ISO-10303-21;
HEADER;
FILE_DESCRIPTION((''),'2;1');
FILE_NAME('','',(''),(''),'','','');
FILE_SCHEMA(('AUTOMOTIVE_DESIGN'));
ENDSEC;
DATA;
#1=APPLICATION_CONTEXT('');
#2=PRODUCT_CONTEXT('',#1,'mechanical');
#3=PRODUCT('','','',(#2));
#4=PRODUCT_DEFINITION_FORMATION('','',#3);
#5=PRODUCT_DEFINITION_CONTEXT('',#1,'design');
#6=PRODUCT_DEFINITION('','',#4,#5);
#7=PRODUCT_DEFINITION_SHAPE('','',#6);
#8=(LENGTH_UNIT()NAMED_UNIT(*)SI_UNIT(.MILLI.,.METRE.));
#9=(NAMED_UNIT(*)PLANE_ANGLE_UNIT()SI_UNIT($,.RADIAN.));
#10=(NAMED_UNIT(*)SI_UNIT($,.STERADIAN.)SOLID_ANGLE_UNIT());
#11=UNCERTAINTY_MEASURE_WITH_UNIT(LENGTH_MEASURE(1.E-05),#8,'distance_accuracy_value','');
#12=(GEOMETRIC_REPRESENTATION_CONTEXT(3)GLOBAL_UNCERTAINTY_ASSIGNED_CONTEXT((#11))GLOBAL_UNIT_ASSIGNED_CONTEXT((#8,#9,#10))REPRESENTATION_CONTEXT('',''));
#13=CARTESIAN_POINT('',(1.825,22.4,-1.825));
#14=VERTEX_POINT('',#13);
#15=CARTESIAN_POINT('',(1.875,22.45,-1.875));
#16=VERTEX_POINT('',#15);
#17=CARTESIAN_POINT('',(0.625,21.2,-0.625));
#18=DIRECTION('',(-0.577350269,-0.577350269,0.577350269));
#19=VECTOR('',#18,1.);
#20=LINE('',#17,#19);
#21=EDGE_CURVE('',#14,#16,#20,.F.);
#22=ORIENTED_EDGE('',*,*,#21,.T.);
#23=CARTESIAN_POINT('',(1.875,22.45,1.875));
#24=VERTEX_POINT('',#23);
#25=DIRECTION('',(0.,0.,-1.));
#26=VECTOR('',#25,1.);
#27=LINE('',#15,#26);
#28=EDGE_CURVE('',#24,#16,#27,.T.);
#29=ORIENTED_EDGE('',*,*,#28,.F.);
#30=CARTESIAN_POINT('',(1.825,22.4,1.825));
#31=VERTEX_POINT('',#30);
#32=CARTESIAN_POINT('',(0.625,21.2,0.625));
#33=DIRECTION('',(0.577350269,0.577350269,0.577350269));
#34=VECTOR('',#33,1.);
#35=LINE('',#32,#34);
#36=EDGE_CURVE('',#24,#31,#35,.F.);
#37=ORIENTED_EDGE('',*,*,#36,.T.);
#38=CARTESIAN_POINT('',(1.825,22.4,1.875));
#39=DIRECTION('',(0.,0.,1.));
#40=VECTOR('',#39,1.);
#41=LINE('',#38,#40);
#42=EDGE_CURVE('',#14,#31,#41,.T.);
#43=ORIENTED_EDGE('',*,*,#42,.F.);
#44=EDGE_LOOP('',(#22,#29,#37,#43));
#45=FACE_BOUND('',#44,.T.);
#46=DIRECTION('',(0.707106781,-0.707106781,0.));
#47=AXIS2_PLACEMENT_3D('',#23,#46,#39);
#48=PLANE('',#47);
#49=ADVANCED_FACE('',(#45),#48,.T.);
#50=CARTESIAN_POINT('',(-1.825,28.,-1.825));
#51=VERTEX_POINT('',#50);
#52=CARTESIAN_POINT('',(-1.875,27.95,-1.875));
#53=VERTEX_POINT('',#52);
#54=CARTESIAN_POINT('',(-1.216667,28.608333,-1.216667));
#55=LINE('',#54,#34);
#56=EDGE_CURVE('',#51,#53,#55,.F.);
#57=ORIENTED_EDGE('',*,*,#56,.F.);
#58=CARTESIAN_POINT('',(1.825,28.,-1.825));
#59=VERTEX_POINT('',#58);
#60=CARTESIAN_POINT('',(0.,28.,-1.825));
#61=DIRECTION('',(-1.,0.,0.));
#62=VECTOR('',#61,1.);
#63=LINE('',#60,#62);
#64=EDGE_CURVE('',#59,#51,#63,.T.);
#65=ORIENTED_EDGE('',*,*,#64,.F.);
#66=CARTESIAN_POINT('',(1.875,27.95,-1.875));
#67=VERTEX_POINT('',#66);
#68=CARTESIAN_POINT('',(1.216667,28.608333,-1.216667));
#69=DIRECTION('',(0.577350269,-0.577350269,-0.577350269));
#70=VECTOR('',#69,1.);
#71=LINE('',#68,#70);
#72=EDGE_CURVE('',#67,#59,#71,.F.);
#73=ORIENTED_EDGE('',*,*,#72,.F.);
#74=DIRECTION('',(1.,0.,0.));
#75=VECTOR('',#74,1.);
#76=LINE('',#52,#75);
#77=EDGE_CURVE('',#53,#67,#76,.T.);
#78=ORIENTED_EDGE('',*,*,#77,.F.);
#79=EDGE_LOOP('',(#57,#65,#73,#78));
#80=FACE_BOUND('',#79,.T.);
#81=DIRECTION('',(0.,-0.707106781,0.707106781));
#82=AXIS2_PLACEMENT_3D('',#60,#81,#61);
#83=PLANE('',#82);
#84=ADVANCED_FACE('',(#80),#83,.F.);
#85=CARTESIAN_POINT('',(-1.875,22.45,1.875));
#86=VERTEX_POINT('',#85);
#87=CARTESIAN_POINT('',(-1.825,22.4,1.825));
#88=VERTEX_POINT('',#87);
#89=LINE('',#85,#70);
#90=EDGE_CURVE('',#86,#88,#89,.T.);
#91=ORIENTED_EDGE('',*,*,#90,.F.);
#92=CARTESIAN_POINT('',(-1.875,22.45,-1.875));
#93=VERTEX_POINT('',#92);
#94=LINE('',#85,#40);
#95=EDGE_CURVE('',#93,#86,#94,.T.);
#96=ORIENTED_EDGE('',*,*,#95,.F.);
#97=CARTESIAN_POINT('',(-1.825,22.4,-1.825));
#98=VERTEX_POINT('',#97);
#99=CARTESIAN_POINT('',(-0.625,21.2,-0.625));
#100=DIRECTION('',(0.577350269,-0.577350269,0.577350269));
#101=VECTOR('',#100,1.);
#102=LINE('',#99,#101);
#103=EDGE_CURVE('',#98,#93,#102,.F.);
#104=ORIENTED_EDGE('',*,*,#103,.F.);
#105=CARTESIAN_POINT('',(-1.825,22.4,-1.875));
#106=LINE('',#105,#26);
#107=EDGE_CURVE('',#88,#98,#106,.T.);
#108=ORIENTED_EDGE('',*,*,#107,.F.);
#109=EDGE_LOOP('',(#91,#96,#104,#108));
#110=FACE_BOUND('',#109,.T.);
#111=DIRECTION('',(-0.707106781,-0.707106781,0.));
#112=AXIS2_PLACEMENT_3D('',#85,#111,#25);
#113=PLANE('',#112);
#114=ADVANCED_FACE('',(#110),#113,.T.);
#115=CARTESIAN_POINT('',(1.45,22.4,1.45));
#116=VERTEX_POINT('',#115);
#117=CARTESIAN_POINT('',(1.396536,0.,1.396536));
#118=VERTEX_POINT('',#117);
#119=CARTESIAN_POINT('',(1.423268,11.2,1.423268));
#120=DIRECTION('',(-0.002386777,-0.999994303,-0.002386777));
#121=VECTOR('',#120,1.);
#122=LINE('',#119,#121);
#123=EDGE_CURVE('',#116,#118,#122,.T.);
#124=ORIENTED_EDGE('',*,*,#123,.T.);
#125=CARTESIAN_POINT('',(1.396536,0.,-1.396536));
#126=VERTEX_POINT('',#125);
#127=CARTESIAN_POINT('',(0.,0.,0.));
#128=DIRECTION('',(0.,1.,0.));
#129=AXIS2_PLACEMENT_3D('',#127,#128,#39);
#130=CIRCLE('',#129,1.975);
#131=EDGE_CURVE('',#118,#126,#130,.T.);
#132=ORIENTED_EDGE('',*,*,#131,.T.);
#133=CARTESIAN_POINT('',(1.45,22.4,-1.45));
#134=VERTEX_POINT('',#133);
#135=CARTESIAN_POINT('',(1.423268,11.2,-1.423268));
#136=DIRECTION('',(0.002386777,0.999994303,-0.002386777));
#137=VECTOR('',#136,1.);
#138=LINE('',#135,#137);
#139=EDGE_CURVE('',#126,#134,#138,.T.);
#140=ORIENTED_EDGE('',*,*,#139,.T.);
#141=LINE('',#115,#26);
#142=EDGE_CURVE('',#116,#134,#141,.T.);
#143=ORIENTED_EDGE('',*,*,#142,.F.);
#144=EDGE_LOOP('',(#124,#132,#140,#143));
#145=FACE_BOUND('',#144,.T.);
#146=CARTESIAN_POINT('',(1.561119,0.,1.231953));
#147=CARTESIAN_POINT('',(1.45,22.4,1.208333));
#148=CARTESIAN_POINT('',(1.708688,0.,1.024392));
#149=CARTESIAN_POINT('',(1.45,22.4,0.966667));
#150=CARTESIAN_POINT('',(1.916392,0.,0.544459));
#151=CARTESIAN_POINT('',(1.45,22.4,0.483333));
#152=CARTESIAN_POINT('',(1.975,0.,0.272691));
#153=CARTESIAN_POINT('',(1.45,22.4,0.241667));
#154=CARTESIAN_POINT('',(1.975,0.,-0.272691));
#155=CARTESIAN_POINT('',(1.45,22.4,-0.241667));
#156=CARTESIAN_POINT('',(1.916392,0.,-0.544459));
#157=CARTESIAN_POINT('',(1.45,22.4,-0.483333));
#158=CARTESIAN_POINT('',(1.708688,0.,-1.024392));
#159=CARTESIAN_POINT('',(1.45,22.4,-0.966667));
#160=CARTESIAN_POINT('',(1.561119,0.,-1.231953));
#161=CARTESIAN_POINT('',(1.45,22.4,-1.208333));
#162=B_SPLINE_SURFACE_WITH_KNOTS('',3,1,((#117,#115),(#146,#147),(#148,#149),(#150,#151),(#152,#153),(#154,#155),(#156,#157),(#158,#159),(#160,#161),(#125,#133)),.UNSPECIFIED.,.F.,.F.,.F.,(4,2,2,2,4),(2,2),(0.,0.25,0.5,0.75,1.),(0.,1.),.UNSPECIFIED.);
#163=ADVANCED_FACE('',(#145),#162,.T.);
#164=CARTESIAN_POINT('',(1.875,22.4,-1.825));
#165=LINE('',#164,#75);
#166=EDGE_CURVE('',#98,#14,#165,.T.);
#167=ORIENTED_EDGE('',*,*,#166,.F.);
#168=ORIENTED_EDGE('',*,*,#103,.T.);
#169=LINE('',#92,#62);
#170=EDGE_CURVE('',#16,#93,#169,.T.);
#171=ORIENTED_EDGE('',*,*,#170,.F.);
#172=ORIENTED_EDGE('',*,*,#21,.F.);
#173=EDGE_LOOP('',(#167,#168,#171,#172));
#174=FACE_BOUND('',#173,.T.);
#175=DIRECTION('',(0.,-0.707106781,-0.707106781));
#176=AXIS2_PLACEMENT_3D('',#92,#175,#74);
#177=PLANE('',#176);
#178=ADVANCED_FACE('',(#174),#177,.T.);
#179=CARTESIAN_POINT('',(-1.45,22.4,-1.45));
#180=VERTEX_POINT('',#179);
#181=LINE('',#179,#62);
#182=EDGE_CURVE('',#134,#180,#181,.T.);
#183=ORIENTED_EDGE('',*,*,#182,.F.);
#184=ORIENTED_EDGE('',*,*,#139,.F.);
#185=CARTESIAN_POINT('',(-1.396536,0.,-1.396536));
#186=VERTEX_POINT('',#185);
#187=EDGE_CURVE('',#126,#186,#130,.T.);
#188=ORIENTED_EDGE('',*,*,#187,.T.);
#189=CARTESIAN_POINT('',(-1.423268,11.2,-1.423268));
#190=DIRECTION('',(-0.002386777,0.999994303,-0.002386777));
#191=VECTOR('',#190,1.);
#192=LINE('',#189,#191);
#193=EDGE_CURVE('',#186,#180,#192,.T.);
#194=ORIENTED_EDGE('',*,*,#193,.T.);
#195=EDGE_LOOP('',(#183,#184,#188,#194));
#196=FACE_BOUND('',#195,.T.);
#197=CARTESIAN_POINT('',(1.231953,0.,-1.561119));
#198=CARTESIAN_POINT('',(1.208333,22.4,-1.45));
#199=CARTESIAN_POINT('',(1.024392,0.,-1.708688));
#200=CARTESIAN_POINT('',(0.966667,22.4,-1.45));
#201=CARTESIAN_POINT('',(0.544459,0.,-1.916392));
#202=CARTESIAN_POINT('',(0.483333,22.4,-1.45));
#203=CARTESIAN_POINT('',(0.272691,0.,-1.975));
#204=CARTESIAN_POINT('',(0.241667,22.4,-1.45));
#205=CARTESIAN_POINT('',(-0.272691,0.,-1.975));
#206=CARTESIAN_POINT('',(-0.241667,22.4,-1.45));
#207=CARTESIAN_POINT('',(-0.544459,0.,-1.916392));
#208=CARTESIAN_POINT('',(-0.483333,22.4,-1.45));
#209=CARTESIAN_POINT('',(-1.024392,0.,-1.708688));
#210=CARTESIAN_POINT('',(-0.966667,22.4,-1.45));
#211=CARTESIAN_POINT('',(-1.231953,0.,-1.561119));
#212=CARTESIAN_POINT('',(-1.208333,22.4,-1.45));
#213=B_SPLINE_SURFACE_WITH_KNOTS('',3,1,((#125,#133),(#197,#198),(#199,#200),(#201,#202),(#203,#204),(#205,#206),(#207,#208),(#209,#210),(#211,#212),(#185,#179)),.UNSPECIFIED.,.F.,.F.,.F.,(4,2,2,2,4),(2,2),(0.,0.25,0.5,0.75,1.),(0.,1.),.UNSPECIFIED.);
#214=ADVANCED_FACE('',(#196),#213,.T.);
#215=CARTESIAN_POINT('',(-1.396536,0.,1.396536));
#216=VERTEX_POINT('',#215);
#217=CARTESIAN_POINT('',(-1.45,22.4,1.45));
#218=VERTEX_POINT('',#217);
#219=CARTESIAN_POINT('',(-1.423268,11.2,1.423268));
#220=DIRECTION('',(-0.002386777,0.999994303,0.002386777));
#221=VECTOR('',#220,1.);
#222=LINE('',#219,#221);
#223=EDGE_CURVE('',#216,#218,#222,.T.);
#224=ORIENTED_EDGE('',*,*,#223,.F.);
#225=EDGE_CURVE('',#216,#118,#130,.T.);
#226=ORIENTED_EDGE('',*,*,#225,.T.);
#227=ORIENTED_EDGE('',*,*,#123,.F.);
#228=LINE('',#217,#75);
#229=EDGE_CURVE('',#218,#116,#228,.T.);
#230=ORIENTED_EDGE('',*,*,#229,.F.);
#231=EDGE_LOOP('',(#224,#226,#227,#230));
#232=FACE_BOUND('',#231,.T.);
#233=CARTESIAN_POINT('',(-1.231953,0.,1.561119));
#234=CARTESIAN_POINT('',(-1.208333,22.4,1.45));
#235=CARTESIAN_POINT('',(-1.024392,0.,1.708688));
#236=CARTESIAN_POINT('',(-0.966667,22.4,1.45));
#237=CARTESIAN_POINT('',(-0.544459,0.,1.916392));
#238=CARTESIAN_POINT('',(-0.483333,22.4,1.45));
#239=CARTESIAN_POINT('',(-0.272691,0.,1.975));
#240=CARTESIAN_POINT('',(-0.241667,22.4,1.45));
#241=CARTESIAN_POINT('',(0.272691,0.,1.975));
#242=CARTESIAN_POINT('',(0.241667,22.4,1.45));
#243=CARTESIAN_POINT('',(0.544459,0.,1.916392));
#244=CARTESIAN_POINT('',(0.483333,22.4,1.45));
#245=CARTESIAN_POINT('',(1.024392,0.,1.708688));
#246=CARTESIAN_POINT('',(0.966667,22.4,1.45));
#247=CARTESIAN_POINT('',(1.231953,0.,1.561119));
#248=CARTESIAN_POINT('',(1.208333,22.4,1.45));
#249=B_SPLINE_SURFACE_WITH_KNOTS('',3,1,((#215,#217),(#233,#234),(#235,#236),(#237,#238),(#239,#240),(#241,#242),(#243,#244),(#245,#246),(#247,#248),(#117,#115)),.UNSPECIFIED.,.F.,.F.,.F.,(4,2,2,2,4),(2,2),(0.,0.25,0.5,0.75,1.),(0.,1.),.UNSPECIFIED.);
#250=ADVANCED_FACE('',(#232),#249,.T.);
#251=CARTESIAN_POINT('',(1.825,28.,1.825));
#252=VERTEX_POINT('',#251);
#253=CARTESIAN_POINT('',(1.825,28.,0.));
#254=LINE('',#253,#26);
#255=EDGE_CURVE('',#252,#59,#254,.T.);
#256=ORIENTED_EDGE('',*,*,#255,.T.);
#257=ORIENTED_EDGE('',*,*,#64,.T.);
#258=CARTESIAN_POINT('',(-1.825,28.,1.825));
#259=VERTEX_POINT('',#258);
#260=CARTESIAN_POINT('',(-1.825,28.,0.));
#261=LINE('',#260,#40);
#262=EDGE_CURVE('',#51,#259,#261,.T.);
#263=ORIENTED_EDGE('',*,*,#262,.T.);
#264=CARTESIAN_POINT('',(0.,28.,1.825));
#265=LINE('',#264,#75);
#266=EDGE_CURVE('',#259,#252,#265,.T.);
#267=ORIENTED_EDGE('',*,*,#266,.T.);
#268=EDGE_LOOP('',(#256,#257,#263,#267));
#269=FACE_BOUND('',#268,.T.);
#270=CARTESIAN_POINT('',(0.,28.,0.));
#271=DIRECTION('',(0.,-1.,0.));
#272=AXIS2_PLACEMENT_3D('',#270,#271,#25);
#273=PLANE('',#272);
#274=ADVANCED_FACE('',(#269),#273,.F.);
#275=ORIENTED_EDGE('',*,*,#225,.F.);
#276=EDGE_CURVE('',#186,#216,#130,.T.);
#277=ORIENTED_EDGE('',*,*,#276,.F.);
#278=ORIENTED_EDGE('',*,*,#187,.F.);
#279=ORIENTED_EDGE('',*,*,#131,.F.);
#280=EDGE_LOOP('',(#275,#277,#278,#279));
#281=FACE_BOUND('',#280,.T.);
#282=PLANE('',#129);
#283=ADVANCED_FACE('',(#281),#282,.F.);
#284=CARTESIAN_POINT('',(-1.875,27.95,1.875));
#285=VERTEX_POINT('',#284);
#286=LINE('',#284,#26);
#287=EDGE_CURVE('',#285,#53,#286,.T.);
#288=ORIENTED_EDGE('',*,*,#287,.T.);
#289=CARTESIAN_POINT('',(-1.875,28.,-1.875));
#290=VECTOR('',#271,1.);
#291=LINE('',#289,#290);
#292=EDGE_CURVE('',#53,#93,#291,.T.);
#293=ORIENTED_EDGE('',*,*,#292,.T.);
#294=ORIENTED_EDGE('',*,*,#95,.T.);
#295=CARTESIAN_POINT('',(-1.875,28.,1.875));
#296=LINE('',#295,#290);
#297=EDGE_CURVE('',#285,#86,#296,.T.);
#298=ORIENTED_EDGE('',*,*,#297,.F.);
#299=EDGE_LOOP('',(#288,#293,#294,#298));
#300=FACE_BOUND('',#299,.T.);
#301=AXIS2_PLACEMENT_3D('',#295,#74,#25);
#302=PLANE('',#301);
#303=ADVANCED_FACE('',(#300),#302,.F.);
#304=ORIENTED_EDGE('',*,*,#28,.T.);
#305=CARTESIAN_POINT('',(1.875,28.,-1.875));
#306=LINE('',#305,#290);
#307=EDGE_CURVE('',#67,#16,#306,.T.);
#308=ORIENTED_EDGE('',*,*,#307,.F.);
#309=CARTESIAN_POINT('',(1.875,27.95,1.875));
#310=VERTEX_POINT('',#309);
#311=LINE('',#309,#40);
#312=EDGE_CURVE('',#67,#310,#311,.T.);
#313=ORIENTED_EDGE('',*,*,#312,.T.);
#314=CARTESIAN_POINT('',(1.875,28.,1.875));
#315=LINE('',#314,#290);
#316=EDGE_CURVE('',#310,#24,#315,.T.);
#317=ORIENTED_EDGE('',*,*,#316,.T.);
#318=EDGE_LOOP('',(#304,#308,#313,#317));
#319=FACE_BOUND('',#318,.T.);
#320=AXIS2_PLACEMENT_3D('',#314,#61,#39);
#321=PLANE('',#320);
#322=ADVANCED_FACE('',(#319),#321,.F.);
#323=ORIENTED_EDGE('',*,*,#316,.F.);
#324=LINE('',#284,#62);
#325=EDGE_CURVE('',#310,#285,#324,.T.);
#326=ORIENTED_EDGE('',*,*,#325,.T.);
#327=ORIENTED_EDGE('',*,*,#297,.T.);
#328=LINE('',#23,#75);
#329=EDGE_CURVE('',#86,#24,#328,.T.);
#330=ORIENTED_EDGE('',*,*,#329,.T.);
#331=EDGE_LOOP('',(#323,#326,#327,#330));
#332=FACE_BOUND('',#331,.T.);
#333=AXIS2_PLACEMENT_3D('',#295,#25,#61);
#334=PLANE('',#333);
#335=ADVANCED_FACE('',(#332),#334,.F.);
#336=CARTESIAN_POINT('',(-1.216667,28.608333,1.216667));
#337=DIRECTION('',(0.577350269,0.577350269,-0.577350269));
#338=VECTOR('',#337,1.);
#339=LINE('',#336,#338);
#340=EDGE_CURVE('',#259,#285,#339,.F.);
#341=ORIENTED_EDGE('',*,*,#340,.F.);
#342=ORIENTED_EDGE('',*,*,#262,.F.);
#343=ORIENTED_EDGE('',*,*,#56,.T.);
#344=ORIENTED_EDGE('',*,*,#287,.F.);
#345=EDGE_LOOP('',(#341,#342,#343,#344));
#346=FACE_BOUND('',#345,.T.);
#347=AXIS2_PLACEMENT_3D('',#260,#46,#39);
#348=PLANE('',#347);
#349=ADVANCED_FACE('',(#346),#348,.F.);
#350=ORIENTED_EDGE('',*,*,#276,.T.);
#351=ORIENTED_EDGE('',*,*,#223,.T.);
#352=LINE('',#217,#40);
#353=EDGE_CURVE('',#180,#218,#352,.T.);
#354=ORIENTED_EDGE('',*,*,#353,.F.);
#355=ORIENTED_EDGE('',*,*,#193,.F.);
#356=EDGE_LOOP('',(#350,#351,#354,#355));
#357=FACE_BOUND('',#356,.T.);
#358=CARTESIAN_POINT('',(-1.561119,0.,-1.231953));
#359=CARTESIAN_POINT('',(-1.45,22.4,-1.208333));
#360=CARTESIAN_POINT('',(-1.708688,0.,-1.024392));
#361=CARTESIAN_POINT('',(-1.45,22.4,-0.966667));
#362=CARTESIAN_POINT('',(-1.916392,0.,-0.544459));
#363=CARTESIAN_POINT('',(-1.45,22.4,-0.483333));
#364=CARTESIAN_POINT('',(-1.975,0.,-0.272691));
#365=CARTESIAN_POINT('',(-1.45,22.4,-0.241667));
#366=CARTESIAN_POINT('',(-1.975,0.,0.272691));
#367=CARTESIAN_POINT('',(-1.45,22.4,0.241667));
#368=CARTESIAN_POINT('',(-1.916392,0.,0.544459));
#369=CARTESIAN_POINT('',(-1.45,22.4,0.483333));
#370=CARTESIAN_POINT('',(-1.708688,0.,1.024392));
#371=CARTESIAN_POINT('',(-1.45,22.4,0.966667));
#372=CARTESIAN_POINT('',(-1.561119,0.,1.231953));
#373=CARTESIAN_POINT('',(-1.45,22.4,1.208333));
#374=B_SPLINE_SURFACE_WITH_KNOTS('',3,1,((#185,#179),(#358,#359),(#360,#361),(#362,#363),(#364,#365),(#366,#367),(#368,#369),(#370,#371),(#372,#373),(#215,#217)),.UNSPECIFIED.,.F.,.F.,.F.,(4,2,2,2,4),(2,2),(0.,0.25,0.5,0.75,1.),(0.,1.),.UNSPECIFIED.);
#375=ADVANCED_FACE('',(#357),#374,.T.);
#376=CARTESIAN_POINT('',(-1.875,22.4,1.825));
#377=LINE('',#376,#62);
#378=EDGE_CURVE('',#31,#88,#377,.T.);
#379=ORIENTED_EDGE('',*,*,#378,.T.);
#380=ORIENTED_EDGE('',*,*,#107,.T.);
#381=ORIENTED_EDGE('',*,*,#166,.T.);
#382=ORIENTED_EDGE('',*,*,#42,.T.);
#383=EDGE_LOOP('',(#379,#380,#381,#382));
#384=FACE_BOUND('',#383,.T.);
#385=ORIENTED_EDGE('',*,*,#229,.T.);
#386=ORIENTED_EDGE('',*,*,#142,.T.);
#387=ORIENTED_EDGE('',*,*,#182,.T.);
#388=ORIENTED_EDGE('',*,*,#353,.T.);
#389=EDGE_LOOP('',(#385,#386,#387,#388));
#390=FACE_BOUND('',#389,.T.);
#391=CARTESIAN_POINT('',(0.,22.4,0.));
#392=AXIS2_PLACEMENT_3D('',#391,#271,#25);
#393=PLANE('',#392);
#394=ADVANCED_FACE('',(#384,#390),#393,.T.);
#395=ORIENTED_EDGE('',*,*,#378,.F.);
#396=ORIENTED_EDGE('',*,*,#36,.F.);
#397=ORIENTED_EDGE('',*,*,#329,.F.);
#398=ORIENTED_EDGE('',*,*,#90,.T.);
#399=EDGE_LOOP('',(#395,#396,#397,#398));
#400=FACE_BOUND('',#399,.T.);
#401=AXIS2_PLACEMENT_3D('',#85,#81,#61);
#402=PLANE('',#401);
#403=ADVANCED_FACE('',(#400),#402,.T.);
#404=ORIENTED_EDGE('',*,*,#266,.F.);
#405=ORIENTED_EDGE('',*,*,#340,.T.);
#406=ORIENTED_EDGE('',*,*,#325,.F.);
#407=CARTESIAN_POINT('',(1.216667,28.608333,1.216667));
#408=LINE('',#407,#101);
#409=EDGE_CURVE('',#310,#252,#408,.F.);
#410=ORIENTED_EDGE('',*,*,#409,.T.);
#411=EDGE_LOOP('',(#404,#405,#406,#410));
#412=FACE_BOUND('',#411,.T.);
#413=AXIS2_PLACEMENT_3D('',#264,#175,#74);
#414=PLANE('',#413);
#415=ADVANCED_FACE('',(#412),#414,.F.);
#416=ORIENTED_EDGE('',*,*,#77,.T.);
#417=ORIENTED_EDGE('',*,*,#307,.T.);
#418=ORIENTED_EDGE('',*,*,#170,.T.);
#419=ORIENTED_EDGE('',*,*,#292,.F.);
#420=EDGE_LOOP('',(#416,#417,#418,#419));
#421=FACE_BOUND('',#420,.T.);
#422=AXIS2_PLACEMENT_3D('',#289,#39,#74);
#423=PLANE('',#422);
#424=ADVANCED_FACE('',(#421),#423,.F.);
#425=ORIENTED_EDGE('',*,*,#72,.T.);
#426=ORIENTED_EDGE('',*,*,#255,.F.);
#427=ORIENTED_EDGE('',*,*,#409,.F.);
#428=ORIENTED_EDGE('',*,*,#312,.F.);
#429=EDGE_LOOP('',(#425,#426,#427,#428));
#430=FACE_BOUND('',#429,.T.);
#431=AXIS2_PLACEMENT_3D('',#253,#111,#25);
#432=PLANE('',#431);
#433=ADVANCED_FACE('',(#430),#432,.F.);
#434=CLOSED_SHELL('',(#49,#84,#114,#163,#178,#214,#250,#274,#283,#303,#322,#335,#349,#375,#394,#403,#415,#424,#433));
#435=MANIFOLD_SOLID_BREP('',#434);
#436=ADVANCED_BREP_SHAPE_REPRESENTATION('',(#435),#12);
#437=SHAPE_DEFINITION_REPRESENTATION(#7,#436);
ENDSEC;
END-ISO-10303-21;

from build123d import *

# Parameters (mm, degrees)
SKETCH3_W           = 3.75
SKETCH3_H           = 3.75
BOSS_EXTRUDE4_DEPTH = 5.6
CHAMFER1_SIZE       = 0.05


with BuildPart() as part:
    # Sketch1 for Loft1 → Loft1 section 0
    with BuildSketch(Plane(origin=(0, 0, 0), x_dir=(1, 0, 0), z_dir=(0, 1, 0))):
        with BuildLine():
            # circular arc as an exact rational Bezier (weights 1, cos(half-angle), 1)
            Bezier((-1.396535893, -1.396535893), (0, -2.793071785), (1.396535893, -1.396535893), weights=[1, 0.707106781, 1])
            Bezier((1.396535893, -1.396535893), (2.793071785, 0), (1.396535893, 1.396535893), weights=[1, 0.707106781, 1])
            Bezier((1.396535893, 1.396535893), (0, 2.793071785), (-1.396535893, 1.396535893), weights=[1, 0.707106781, 1])
            Bezier((-1.396535893, 1.396535893), (-2.793071785, 0), (-1.396535893, -1.396535893), weights=[1, 0.707106781, 1])
        make_face()
    # Sketch2 → Loft1 section 1
    with BuildSketch(Plane(origin=(0, 22.4, 0), x_dir=(1, 0, 0), z_dir=(0, 1, 0))):
        with BuildLine():
            Line((-1.45, -1.45), (1.45, -1.45))
            Line((1.45, -1.45), (1.45, 1.45))
            Line((1.45, 1.45), (-1.45, 1.45))
            Line((-1.45, 1.45), (-1.45, -1.45))
        make_face()
    loft()

    # Sketch3 → Boss-Extrude4 (add)
    with BuildSketch(Plane(origin=(0, 22.4, 0), x_dir=(1, 0, 0), z_dir=(0, 1, 0))):
        Rectangle(SKETCH3_W, SKETCH3_H)
    extrude(amount=BOSS_EXTRUDE4_DEPTH)

    # Chamfer1
    chamfer1_edges = [part.edges().sort_by_distance(p)[0] for p in [
        (1.875, 22.4, 0),
        (0, 22.4, -1.875),
        (-1.875, 22.4, 0),
        (0, 22.4, 1.875),
        (1.875, 28, 0),
        (0, 28, -1.875),
        (-1.875, 28, 0),
        (0, 28, 1.875),
    ]]
    chamfer(chamfer1_edges, length=CHAMFER1_SIZE)


solid = part.part
